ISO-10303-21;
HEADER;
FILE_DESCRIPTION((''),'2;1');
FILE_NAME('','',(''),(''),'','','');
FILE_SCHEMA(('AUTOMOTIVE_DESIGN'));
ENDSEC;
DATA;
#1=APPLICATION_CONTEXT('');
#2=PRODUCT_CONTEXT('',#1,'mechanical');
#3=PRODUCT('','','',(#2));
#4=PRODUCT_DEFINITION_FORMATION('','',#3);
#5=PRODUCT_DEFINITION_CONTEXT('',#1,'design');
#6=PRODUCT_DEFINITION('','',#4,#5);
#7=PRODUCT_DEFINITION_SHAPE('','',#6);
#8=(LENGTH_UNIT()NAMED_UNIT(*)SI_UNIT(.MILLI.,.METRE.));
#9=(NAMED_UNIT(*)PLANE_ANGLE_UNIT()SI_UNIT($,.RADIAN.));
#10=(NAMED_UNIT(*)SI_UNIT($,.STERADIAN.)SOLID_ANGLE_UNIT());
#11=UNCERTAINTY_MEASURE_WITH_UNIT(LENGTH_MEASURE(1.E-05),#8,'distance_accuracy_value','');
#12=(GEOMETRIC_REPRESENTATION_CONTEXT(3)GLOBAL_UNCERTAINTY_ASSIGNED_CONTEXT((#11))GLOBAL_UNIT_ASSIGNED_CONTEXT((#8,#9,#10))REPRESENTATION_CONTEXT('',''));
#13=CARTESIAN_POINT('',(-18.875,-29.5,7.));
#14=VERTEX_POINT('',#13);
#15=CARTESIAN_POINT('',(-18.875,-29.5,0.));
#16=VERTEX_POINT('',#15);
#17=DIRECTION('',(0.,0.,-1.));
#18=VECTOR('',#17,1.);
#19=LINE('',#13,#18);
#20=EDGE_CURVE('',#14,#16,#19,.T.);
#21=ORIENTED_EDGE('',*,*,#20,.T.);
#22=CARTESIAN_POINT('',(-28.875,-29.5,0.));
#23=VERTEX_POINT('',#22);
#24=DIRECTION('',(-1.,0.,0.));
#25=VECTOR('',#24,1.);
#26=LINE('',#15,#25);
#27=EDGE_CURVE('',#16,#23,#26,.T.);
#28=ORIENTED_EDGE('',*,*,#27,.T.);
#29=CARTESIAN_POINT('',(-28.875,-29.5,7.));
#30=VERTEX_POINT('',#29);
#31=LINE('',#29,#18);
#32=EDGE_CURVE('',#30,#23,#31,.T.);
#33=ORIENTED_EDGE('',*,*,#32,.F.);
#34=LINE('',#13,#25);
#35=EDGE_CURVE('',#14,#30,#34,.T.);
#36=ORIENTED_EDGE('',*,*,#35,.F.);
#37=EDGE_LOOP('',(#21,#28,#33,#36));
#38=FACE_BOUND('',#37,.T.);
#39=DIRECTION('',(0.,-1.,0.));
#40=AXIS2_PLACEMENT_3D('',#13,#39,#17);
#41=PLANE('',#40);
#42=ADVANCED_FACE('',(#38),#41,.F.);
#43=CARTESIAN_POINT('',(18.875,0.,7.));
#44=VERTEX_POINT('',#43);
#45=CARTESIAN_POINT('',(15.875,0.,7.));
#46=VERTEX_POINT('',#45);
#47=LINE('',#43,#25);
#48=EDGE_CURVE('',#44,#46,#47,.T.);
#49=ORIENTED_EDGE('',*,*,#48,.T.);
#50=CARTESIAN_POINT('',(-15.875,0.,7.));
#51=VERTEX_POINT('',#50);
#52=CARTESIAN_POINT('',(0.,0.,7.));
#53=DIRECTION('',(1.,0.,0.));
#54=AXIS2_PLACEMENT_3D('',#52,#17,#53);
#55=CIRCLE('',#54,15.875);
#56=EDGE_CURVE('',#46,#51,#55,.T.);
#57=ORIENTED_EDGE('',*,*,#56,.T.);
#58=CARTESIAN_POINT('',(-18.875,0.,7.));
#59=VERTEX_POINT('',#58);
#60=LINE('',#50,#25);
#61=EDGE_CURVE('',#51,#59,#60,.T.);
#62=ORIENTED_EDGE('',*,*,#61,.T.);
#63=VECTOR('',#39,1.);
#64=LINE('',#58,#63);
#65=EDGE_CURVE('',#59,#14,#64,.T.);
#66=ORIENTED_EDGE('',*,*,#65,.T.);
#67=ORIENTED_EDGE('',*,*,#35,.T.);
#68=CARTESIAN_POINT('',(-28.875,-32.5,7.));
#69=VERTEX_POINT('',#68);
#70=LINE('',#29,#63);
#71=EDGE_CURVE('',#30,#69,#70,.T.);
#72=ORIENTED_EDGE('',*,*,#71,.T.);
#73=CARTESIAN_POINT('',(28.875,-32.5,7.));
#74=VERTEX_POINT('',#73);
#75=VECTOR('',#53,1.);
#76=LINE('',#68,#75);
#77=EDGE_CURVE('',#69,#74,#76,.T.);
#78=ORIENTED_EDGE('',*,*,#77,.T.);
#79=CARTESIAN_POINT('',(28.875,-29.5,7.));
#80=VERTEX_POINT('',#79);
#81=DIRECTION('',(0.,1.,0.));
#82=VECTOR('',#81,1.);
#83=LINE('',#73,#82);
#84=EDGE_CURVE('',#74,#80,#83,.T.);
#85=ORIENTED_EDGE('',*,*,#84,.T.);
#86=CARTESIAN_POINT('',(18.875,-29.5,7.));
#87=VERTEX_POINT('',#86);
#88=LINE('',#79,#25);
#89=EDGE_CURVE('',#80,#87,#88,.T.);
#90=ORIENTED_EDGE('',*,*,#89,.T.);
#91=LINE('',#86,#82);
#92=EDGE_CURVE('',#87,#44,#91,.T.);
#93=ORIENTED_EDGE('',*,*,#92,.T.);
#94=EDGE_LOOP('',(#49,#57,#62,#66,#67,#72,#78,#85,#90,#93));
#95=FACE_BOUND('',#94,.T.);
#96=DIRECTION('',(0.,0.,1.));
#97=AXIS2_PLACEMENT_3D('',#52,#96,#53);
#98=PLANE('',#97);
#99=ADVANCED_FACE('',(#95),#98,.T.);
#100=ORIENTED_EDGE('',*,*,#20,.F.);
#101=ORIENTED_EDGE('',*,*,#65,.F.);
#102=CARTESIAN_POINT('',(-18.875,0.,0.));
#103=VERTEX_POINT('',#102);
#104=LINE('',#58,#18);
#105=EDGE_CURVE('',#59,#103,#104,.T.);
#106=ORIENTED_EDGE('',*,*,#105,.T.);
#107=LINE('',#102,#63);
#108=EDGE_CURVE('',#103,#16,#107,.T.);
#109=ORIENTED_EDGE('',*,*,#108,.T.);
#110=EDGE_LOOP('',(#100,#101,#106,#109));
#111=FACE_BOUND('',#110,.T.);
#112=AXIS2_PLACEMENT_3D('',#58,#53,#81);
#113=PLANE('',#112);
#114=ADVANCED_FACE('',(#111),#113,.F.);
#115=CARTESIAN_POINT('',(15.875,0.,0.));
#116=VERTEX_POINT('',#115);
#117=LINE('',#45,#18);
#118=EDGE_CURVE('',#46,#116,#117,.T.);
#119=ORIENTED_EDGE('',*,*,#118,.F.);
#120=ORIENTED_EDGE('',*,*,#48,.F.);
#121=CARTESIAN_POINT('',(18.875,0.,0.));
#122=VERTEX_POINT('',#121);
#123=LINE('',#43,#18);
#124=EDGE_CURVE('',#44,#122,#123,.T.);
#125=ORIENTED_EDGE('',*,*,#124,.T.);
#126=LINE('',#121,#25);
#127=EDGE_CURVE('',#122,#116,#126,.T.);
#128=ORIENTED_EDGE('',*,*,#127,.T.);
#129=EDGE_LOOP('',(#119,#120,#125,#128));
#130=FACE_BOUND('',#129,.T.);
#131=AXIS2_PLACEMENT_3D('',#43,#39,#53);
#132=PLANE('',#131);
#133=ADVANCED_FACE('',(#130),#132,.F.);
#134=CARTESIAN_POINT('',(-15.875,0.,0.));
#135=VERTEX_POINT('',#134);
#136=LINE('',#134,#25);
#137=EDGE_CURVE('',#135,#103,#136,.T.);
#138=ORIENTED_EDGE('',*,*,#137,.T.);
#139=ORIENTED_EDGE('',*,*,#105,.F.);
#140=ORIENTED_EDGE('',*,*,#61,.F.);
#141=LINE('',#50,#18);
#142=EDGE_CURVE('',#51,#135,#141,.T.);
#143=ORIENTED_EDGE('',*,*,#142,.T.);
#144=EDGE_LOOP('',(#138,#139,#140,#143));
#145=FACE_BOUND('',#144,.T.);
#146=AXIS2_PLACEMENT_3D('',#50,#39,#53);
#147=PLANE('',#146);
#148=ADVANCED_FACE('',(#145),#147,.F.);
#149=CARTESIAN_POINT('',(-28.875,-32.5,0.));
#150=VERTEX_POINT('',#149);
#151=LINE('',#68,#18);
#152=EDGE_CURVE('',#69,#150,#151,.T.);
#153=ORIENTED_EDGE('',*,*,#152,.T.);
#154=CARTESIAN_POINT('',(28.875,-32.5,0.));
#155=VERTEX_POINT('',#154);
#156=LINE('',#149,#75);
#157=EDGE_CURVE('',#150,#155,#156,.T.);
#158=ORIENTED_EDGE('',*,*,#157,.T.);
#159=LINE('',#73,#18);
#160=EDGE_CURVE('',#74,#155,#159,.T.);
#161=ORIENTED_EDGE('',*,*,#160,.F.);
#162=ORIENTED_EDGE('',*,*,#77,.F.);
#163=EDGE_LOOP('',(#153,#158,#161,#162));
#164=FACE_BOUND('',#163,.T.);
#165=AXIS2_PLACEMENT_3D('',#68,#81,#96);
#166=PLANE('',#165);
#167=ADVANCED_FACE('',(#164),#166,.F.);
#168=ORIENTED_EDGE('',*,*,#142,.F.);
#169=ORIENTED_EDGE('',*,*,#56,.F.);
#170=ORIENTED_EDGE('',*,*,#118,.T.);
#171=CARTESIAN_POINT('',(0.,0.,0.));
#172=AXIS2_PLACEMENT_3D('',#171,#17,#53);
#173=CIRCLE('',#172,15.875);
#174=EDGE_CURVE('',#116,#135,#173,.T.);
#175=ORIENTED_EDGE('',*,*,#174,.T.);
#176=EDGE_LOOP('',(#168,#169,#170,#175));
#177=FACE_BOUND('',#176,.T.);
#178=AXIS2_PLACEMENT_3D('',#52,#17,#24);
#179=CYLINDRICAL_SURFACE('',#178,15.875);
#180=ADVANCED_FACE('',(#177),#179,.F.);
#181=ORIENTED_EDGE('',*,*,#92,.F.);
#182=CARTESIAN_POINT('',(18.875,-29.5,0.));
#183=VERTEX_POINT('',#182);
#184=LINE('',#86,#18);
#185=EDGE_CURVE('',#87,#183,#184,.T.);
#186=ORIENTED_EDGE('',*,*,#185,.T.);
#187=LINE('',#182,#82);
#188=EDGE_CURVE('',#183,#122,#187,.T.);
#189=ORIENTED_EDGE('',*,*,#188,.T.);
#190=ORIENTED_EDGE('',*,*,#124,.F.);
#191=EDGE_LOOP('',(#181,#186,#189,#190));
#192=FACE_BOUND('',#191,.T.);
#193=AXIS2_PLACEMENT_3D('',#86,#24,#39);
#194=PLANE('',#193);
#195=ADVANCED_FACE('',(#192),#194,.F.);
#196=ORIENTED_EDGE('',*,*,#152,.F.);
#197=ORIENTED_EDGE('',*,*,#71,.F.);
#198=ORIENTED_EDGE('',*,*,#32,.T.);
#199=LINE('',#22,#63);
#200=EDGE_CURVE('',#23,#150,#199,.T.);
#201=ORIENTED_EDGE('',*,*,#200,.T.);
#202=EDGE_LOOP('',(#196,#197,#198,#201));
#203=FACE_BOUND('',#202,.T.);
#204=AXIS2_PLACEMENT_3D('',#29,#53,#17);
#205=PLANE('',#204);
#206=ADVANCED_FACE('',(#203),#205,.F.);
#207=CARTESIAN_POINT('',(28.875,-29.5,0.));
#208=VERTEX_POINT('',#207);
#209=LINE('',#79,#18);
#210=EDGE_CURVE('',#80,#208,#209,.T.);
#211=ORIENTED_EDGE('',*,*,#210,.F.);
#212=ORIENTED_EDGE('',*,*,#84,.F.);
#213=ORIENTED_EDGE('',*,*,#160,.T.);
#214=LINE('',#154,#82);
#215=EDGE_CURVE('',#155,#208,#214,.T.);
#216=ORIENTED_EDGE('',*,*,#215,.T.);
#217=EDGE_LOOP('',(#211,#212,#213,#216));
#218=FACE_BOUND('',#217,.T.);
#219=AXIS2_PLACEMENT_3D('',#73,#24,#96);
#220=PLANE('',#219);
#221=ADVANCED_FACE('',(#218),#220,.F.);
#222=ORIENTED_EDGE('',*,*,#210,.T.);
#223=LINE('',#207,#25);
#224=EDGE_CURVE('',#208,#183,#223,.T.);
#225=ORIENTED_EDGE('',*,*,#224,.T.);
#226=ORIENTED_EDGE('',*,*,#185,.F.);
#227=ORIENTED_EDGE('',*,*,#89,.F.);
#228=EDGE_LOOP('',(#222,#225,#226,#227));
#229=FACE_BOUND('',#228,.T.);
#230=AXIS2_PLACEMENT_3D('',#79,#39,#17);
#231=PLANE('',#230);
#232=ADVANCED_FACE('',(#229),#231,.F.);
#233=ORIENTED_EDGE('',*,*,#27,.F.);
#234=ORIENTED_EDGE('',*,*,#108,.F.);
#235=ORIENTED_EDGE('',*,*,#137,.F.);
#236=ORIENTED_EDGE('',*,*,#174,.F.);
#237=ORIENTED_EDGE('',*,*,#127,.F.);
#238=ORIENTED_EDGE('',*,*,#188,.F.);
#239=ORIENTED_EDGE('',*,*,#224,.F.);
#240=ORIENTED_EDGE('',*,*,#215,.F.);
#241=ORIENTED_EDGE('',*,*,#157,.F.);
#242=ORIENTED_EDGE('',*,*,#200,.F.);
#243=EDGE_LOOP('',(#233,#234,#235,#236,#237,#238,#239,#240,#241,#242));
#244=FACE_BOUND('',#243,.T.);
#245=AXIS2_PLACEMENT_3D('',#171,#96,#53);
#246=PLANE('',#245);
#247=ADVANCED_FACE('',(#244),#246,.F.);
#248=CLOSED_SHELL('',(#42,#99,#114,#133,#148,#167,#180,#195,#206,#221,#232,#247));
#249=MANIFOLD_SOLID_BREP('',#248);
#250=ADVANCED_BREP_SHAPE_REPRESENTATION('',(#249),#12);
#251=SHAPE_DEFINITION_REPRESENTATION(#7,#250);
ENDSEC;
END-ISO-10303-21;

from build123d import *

# Parameters (mm, degrees)
BOSS_EXTRUDE1_DEPTH = 7


with BuildPart() as part:
    # Sketch1 → Boss-Extrude1 (new body)
    with BuildSketch(Plane.XY):
        with BuildLine():
            Line((-15.875, 0), (-18.875, 0))
            Line((-18.875, 0), (-18.875, -29.5))
            Line((-18.875, -29.5), (-28.875, -29.5))
            Line((-28.875, -29.5), (-28.875, -32.5))
            Line((-28.875, -32.5), (28.875, -32.5))
            Line((28.875, -32.5), (28.875, -29.5))
            Line((28.875, -29.5), (18.875, -29.5))
            Line((18.875, -29.5), (18.875, 0))
            Line((18.875, 0), (15.875, 0))
            ThreePointArc((15.875, 0), (0, -15.875), (-15.875, 0))
        make_face()
    extrude(amount=BOSS_EXTRUDE1_DEPTH)


solid = part.part
